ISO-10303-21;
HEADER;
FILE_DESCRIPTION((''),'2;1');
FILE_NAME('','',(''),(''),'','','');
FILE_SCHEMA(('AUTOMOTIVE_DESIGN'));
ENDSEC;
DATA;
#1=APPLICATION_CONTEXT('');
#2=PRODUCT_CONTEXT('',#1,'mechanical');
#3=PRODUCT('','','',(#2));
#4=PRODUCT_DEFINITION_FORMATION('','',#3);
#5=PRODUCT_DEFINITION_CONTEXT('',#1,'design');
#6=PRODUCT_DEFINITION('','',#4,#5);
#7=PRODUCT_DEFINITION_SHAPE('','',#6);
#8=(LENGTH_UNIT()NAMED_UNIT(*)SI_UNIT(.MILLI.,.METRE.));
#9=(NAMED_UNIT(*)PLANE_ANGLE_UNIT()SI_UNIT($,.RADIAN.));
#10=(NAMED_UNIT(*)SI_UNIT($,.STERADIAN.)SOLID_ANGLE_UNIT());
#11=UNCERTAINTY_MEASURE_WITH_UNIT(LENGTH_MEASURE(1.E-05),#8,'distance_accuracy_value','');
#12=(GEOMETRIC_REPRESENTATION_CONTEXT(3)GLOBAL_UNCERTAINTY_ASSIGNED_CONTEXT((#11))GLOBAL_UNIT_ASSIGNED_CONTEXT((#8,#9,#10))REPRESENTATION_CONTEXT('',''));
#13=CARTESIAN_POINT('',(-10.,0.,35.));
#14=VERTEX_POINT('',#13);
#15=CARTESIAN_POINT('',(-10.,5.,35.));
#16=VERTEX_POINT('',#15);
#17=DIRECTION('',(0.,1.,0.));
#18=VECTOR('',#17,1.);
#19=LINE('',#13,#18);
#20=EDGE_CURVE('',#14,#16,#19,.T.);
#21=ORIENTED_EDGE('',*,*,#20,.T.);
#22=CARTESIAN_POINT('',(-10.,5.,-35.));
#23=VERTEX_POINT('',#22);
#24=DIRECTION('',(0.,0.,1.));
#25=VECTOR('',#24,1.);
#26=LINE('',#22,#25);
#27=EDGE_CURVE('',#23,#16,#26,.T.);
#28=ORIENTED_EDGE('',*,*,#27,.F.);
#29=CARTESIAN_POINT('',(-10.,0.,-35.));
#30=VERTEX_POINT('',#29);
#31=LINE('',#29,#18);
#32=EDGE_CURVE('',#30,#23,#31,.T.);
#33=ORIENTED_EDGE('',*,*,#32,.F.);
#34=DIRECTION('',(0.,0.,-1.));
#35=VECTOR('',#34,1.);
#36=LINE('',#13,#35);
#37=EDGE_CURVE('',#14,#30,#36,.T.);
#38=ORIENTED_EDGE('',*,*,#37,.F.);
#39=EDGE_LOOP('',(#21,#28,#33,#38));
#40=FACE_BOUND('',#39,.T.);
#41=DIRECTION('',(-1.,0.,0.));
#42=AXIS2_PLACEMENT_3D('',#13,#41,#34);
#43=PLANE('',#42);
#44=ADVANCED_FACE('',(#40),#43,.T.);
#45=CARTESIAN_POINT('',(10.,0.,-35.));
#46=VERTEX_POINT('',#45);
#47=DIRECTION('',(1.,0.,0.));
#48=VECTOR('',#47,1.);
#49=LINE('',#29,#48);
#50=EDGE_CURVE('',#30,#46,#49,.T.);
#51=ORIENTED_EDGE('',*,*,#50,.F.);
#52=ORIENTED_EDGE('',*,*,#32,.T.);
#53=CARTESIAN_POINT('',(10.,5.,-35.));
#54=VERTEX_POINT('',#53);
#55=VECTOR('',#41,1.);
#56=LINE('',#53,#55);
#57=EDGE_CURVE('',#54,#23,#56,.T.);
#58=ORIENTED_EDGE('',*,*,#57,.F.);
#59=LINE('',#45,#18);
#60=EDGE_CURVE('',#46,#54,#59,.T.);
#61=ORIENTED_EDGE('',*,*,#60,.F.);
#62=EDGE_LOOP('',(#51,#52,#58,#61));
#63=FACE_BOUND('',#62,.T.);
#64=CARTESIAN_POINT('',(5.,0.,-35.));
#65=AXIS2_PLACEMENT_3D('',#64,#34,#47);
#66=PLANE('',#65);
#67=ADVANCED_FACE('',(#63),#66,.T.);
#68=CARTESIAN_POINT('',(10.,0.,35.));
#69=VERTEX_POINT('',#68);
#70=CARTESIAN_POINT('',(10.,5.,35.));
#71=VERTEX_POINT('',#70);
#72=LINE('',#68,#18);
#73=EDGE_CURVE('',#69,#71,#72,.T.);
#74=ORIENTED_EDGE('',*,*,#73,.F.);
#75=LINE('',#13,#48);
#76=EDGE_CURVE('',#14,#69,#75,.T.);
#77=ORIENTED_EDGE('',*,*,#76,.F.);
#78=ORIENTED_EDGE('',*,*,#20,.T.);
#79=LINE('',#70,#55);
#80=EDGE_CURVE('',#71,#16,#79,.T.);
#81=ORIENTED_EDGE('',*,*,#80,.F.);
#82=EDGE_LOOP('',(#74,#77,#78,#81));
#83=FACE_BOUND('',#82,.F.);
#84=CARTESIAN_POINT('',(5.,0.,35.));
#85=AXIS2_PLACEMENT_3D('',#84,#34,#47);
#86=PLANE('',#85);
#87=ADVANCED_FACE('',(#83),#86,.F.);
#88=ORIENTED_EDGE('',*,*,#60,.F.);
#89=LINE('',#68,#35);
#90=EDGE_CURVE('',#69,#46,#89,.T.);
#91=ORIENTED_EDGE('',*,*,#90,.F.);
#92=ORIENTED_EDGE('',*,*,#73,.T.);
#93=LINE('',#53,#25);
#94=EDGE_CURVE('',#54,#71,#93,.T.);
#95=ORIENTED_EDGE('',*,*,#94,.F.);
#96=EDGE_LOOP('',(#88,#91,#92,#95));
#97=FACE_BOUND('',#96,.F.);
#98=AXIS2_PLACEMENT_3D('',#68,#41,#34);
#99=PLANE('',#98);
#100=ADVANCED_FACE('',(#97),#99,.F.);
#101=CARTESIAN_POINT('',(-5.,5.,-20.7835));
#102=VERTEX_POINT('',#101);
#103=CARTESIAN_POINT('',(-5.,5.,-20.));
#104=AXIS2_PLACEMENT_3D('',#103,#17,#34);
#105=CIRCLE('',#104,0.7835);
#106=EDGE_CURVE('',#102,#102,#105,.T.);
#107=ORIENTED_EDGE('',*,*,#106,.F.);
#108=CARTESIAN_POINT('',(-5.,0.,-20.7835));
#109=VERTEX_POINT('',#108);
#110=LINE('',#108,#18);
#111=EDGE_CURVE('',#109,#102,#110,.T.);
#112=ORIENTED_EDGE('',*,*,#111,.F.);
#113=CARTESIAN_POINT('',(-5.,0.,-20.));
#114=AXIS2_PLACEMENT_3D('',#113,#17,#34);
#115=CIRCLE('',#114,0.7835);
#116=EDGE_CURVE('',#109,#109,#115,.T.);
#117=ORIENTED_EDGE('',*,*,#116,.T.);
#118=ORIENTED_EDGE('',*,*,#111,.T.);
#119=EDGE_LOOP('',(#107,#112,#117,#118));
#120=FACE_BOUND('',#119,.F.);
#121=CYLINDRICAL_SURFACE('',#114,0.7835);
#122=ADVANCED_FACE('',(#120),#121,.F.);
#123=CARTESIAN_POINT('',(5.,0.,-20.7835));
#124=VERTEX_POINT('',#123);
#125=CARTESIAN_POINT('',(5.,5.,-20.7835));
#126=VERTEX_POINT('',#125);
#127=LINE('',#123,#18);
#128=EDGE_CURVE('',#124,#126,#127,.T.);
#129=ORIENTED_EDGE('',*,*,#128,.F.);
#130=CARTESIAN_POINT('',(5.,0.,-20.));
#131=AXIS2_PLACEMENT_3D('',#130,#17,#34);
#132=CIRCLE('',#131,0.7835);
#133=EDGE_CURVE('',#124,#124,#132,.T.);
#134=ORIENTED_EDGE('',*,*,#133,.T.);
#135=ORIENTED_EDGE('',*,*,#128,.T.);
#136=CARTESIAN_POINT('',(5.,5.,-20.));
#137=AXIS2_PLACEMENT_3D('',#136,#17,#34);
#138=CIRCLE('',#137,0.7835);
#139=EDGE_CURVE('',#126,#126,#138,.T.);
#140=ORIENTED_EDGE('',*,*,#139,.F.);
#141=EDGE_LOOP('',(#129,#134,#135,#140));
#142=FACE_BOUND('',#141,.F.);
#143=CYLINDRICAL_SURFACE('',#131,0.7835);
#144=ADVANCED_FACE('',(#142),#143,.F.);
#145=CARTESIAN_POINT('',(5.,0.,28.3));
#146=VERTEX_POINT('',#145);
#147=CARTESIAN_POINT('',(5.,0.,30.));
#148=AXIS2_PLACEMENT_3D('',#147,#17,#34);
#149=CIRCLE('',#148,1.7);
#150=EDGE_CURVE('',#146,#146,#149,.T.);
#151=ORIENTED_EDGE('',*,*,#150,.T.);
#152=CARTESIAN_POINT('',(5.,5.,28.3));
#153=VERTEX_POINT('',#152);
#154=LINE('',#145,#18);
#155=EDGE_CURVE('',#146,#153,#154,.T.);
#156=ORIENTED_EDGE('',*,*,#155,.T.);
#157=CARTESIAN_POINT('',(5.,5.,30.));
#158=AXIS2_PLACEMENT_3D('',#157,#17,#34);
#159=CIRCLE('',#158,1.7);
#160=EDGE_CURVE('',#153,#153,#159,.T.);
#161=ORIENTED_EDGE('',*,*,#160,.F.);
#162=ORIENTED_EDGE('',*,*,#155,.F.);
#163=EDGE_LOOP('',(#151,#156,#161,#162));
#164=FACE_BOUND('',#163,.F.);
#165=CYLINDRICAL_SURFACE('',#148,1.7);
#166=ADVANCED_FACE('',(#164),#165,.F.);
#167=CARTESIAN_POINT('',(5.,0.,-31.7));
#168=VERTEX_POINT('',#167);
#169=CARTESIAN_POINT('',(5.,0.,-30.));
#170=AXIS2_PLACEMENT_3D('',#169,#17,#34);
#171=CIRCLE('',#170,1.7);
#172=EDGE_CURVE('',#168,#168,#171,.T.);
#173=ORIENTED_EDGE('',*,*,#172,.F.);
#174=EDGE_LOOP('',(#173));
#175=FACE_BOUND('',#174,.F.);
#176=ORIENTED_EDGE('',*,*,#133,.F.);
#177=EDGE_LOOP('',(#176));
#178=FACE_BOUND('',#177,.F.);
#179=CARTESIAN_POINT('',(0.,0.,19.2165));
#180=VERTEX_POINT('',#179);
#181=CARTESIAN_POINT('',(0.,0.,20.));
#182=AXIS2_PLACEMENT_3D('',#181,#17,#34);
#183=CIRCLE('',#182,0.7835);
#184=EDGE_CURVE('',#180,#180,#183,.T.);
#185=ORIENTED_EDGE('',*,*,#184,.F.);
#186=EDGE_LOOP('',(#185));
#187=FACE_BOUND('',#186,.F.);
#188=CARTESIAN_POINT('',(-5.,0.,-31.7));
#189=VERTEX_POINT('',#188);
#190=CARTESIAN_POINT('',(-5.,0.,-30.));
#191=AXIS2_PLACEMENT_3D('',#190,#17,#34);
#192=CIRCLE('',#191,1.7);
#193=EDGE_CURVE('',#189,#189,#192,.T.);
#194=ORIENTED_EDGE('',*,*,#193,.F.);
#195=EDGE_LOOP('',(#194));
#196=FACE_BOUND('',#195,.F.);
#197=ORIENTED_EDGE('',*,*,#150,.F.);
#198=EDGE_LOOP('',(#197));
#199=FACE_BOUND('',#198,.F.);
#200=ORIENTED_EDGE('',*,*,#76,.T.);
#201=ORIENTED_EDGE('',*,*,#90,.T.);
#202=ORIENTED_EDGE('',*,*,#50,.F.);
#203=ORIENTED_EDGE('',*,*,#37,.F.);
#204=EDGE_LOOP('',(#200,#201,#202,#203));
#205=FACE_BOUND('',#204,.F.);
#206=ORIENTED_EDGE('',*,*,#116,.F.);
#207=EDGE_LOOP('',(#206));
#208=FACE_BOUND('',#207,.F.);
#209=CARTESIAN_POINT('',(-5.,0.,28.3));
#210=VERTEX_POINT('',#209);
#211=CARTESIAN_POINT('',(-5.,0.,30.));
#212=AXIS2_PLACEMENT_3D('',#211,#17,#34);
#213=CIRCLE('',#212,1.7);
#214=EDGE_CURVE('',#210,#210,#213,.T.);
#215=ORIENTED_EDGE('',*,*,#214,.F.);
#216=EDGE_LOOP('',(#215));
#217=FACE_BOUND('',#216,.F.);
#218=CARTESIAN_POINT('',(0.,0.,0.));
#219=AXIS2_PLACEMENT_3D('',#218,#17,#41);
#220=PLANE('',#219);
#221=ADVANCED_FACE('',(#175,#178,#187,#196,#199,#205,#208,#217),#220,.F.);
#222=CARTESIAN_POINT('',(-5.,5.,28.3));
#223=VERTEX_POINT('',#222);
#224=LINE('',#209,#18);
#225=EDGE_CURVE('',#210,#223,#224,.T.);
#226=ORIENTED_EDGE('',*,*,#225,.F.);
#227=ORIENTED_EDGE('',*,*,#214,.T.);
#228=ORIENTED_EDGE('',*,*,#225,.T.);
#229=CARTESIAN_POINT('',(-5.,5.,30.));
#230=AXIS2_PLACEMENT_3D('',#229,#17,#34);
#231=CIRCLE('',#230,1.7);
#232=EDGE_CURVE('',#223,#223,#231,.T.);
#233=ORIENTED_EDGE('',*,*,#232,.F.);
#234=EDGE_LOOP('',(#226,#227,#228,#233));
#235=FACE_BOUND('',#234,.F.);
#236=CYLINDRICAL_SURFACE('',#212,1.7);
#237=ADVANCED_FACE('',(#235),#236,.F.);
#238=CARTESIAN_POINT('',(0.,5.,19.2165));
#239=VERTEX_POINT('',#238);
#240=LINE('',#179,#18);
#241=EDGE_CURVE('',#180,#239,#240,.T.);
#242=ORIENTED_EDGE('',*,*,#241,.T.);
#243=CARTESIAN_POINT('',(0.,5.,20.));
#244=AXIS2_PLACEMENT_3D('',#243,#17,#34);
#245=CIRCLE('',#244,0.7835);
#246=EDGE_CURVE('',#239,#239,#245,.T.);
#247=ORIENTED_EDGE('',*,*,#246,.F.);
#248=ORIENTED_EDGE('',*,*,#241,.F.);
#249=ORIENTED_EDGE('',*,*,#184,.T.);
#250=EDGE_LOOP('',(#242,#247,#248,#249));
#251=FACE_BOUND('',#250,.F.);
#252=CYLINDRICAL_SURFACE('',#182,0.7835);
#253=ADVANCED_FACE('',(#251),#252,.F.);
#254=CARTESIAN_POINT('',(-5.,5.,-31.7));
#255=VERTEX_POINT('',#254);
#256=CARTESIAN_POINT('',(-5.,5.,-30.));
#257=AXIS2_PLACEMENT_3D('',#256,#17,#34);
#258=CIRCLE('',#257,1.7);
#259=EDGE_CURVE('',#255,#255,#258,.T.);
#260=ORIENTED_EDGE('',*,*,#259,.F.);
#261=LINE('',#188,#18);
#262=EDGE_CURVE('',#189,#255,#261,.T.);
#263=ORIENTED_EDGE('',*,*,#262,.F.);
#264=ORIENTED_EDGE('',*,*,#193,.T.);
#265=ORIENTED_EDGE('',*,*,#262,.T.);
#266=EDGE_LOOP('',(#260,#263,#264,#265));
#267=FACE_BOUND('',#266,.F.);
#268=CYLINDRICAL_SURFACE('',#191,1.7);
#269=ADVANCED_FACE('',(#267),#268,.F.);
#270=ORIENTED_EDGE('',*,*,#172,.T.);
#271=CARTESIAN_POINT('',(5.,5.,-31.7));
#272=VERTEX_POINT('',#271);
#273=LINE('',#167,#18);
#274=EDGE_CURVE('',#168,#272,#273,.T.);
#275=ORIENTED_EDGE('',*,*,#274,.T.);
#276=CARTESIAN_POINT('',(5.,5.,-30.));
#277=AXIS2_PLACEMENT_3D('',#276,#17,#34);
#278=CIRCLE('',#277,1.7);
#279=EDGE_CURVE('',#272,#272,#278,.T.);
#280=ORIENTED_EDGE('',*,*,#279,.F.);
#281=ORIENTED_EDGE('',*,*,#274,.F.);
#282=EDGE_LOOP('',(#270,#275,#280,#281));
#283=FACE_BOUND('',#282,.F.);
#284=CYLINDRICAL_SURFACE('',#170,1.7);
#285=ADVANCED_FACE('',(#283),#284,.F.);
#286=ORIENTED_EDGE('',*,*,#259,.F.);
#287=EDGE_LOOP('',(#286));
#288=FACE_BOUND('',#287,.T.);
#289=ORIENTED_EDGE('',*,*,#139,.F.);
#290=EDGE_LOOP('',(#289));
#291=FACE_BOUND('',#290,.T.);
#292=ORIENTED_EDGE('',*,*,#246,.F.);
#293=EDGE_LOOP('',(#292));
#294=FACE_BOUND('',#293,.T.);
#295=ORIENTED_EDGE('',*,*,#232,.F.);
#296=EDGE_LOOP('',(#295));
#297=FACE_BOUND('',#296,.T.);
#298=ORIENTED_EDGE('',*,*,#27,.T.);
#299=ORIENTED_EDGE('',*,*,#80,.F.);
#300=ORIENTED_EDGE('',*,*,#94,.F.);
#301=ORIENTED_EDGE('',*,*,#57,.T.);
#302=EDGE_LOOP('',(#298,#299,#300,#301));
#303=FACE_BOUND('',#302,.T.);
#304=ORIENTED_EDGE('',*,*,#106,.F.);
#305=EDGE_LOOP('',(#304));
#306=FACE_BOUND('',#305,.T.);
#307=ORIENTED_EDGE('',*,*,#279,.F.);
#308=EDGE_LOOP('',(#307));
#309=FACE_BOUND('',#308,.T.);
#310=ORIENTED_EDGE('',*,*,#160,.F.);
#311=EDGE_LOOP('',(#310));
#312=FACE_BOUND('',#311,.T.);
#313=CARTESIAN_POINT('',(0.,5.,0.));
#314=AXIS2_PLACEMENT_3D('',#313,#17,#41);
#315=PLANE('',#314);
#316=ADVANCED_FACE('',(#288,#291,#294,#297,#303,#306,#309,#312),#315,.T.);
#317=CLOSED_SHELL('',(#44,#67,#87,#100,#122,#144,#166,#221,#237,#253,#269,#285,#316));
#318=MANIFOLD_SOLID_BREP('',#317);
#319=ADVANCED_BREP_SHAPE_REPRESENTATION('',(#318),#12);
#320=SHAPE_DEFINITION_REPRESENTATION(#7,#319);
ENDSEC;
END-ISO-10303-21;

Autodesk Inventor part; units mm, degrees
ref_plane "YZ Plane" through (0, 0, 0) normal (1, 0, 0) x (0, 1, 0)
ref_plane "XZ Plane" through (0, 0, 0) normal (0, 1, 0) x (-1, 0, 0)
ref_plane "XY Plane" through (0, 0, 0) normal (0, 0, 1) x (1, 0, 0)
sketch "Sketch1" plane through (0, 0, 0) normal (0, 1, 0) x (-1, 0, 0)
  line L0 (-10, 25) -> (-10, 0)
  line L1 (10, 0) -> (10, 25)
  line L2 (10, 0) -> (-10, 0) construction
  line L3 (10, 30) -> (-10, 30) construction
  line L4 (10, 25) -> (-10, 25) construction
  line L5 (0, 25) -> (0, 0) construction
  line L6 (10, 20) -> (-10, 20) construction
  line L7 (10, 20) -> (0, 20) construction
  line L8 (0, 20) -> (-10, 20) construction
  line L9 (0, 20) -> (5, 20) construction
  line L10 (0, 20) -> (-5, 20) construction
  line L11 (10, 35) -> (10, 25)
  line L12 (-10, 35) -> (-10, 25)
  line L13 (10, 35) -> (-10, 35)
  line L14 (5, 35) -> (5, 30)
  line L15 (-5, 35) -> (-5, 30)
  line L16 (-10, -25) -> (-10, 0)
  line L17 (10, 0) -> (10, -25)
  line L18 (10, -30) -> (-10, -30) construction
  line L19 (10, -25) -> (-10, -25) construction
  line L20 (0, -25) -> (0, 0) construction
  line L21 (10, -20) -> (-10, -20) construction
  line L22 (10, -20) -> (0, -20) construction
  line L23 (0, -20) -> (-10, -20) construction
  line L24 (0, -20) -> (5, -20) construction
  line L25 (0, -20) -> (-5, -20) construction
  line L26 (10, -35) -> (10, -25)
  line L27 (-10, -35) -> (-10, -25)
  line L28 (10, -35) -> (-10, -35)
  line L29 (5, -35) -> (5, -30)
  line L30 (-5, -35) -> (-5, -30)
  dimension "d84" = 5
  dimension "d127" = 20
extrude "Extrusion1" add sketch "Sketch1" along normal blind 5
hole "Hole12" at (-5, 0, 30) at (5, 0, 30) at (-5, 0, -30) at (5, 0, -30) direction (0, 1, 0) diameter 3.4 end through all clearance for "Socket Head Cap Screw ISO 4762" size "M3" standard "ISO"
hole "Hole13" at (0, 0, 20) at (-5, 0, -20) at (5, 0, -20) direction (0, 1, 0) diameter 1.567 end through all thread size "M2x0.4" class "6H" standard "ISO Metric profile"
properties part number "mount-base" material "Copper"
